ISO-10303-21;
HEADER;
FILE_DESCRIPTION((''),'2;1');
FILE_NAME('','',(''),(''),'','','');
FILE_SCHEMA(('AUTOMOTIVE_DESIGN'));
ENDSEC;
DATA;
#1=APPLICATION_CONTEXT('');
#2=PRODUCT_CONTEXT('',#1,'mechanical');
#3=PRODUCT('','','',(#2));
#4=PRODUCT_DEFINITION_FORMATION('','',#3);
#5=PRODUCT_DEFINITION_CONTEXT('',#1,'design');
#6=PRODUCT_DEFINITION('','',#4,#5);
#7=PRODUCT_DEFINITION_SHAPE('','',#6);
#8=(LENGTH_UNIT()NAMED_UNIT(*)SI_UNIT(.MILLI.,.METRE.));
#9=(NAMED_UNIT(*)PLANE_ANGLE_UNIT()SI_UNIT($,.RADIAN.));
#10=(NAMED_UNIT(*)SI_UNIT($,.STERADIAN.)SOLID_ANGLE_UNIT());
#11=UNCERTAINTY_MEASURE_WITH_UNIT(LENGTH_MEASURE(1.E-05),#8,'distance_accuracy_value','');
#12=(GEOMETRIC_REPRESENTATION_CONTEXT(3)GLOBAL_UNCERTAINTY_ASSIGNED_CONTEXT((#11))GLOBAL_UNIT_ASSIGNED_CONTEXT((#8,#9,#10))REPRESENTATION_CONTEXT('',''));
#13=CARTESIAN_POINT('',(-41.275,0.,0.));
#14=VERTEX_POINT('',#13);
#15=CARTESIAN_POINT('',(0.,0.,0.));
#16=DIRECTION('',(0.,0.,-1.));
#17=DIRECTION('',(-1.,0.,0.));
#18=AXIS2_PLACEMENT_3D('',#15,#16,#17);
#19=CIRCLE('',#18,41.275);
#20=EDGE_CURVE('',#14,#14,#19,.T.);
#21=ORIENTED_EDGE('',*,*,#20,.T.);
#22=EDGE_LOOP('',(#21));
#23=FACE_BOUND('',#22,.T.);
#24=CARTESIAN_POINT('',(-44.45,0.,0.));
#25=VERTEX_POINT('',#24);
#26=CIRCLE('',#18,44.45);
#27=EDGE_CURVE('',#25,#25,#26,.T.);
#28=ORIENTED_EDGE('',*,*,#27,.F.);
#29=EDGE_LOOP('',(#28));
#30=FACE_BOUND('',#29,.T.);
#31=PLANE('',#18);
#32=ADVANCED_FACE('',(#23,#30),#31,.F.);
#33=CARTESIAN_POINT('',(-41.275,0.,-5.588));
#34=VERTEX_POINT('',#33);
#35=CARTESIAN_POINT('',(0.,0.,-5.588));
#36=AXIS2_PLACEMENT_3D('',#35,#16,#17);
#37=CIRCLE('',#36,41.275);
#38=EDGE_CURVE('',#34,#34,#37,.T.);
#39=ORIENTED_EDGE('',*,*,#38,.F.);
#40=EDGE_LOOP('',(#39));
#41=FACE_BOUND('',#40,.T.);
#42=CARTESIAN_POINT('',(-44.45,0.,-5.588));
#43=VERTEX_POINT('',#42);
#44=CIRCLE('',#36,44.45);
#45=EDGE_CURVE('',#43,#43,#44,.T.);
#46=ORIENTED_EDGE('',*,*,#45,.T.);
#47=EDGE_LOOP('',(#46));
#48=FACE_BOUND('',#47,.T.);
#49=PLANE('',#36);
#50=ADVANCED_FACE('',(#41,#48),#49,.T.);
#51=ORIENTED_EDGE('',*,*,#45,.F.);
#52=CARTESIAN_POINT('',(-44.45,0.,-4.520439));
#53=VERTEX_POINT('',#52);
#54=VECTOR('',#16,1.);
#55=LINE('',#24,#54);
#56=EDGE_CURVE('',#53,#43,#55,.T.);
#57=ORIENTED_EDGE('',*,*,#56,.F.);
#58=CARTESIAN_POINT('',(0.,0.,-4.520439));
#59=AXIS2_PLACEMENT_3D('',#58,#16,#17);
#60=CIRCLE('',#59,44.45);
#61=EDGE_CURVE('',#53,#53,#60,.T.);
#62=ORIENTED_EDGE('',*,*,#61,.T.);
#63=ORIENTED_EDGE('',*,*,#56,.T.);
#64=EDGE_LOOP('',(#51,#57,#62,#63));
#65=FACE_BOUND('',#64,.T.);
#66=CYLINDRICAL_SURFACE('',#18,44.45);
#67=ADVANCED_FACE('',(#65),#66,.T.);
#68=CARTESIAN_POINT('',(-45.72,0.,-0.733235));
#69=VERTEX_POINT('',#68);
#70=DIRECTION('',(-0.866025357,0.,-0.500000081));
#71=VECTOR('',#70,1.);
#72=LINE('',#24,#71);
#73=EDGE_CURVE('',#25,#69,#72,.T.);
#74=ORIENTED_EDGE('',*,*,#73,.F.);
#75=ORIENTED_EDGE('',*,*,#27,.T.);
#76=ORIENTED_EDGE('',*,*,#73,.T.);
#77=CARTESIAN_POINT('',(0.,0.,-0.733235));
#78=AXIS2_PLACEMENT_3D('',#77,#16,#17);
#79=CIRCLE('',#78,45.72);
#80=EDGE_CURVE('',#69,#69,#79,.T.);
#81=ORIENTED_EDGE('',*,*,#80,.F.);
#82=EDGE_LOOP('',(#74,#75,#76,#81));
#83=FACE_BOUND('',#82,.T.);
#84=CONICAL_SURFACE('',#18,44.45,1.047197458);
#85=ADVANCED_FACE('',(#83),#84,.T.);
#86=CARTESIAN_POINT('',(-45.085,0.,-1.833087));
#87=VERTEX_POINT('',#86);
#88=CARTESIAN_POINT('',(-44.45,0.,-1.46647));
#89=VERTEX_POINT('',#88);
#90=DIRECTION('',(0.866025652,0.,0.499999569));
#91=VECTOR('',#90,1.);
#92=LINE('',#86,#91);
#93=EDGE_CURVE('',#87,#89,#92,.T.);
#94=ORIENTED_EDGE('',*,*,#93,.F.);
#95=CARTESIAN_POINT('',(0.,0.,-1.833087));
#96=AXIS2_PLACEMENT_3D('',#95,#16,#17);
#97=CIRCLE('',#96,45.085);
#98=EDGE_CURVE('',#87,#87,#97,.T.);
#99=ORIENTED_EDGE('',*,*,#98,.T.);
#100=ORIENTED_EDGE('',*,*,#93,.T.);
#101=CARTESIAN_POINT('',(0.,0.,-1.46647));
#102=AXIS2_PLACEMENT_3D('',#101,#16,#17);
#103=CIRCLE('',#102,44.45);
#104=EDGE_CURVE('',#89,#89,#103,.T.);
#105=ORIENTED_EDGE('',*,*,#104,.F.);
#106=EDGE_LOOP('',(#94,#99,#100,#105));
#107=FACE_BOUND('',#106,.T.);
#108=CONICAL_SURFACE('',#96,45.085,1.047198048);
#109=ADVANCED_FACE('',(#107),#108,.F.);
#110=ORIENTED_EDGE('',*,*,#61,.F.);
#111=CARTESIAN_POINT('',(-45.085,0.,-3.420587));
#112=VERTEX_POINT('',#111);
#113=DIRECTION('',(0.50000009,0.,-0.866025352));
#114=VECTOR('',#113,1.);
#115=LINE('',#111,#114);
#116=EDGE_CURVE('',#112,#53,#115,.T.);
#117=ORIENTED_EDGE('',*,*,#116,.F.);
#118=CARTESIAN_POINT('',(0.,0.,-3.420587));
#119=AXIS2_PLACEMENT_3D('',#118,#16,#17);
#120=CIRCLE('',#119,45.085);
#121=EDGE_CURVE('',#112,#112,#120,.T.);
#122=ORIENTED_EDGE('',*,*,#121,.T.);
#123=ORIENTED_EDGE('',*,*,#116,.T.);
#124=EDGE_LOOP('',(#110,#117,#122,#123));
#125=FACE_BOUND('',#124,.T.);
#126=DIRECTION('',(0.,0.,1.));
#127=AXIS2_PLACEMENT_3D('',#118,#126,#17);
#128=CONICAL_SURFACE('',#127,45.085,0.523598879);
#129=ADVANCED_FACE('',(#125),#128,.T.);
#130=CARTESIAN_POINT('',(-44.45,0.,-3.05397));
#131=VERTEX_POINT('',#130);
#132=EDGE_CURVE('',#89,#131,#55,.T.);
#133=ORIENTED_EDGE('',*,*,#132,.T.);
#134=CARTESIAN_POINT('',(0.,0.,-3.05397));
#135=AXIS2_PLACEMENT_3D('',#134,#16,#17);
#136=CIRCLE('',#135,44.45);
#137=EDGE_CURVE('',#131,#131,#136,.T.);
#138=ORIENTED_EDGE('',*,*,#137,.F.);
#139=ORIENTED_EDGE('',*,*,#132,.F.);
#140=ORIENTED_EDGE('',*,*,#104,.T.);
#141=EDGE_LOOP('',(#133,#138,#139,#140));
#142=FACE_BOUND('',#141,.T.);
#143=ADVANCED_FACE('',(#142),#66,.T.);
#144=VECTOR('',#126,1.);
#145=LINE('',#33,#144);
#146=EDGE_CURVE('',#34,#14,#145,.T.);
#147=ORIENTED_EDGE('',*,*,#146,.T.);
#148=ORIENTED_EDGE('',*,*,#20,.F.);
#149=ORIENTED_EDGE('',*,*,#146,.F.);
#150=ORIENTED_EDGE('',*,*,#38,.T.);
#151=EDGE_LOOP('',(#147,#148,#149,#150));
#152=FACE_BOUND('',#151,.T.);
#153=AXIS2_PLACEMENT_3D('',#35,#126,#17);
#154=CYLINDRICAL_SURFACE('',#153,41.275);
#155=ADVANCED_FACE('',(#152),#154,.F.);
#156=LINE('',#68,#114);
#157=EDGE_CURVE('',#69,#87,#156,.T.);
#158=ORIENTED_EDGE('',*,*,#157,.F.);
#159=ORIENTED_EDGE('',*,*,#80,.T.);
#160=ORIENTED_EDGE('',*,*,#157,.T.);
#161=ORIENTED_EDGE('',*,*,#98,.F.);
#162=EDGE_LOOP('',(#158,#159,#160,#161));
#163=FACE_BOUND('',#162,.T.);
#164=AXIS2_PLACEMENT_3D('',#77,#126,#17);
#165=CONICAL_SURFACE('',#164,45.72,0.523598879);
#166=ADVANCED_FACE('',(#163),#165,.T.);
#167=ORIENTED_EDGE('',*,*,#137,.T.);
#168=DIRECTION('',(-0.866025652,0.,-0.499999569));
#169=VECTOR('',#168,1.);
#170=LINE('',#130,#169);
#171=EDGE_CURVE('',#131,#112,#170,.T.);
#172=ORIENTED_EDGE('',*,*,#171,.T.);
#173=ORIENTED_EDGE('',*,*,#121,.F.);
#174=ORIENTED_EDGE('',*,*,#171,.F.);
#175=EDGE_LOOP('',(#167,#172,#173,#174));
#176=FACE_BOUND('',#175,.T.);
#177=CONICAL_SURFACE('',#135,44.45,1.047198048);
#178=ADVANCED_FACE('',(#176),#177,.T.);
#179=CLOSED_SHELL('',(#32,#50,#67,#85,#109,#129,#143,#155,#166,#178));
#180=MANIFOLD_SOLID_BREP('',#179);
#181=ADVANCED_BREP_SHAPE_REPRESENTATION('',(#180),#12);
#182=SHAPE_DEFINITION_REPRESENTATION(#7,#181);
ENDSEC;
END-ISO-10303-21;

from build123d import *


with BuildPart() as f1:
    # F0 (on Front) → F1 (revolve)
    with BuildSketch(Plane.XZ):
        Polygon((-41.275, 0), (-44.45, 0), (-44.45, -1.46647), (-44.45, -3.05397), (-44.45, -4.520439), (-44.45, -5.588), (-41.275, -5.588), align=None)
        Polygon((-44.45, -1.46647), (-44.45, 0), (-45.72, -0.733235), (-45.085, -1.833087), align=None)
        Polygon((-44.45, -4.520439), (-44.45, -3.05397), (-45.085, -3.420587), align=None)
    revolve(axis=Axis((0, 0, -1.429696), (0, 0, -1)))


solid = f1.part
